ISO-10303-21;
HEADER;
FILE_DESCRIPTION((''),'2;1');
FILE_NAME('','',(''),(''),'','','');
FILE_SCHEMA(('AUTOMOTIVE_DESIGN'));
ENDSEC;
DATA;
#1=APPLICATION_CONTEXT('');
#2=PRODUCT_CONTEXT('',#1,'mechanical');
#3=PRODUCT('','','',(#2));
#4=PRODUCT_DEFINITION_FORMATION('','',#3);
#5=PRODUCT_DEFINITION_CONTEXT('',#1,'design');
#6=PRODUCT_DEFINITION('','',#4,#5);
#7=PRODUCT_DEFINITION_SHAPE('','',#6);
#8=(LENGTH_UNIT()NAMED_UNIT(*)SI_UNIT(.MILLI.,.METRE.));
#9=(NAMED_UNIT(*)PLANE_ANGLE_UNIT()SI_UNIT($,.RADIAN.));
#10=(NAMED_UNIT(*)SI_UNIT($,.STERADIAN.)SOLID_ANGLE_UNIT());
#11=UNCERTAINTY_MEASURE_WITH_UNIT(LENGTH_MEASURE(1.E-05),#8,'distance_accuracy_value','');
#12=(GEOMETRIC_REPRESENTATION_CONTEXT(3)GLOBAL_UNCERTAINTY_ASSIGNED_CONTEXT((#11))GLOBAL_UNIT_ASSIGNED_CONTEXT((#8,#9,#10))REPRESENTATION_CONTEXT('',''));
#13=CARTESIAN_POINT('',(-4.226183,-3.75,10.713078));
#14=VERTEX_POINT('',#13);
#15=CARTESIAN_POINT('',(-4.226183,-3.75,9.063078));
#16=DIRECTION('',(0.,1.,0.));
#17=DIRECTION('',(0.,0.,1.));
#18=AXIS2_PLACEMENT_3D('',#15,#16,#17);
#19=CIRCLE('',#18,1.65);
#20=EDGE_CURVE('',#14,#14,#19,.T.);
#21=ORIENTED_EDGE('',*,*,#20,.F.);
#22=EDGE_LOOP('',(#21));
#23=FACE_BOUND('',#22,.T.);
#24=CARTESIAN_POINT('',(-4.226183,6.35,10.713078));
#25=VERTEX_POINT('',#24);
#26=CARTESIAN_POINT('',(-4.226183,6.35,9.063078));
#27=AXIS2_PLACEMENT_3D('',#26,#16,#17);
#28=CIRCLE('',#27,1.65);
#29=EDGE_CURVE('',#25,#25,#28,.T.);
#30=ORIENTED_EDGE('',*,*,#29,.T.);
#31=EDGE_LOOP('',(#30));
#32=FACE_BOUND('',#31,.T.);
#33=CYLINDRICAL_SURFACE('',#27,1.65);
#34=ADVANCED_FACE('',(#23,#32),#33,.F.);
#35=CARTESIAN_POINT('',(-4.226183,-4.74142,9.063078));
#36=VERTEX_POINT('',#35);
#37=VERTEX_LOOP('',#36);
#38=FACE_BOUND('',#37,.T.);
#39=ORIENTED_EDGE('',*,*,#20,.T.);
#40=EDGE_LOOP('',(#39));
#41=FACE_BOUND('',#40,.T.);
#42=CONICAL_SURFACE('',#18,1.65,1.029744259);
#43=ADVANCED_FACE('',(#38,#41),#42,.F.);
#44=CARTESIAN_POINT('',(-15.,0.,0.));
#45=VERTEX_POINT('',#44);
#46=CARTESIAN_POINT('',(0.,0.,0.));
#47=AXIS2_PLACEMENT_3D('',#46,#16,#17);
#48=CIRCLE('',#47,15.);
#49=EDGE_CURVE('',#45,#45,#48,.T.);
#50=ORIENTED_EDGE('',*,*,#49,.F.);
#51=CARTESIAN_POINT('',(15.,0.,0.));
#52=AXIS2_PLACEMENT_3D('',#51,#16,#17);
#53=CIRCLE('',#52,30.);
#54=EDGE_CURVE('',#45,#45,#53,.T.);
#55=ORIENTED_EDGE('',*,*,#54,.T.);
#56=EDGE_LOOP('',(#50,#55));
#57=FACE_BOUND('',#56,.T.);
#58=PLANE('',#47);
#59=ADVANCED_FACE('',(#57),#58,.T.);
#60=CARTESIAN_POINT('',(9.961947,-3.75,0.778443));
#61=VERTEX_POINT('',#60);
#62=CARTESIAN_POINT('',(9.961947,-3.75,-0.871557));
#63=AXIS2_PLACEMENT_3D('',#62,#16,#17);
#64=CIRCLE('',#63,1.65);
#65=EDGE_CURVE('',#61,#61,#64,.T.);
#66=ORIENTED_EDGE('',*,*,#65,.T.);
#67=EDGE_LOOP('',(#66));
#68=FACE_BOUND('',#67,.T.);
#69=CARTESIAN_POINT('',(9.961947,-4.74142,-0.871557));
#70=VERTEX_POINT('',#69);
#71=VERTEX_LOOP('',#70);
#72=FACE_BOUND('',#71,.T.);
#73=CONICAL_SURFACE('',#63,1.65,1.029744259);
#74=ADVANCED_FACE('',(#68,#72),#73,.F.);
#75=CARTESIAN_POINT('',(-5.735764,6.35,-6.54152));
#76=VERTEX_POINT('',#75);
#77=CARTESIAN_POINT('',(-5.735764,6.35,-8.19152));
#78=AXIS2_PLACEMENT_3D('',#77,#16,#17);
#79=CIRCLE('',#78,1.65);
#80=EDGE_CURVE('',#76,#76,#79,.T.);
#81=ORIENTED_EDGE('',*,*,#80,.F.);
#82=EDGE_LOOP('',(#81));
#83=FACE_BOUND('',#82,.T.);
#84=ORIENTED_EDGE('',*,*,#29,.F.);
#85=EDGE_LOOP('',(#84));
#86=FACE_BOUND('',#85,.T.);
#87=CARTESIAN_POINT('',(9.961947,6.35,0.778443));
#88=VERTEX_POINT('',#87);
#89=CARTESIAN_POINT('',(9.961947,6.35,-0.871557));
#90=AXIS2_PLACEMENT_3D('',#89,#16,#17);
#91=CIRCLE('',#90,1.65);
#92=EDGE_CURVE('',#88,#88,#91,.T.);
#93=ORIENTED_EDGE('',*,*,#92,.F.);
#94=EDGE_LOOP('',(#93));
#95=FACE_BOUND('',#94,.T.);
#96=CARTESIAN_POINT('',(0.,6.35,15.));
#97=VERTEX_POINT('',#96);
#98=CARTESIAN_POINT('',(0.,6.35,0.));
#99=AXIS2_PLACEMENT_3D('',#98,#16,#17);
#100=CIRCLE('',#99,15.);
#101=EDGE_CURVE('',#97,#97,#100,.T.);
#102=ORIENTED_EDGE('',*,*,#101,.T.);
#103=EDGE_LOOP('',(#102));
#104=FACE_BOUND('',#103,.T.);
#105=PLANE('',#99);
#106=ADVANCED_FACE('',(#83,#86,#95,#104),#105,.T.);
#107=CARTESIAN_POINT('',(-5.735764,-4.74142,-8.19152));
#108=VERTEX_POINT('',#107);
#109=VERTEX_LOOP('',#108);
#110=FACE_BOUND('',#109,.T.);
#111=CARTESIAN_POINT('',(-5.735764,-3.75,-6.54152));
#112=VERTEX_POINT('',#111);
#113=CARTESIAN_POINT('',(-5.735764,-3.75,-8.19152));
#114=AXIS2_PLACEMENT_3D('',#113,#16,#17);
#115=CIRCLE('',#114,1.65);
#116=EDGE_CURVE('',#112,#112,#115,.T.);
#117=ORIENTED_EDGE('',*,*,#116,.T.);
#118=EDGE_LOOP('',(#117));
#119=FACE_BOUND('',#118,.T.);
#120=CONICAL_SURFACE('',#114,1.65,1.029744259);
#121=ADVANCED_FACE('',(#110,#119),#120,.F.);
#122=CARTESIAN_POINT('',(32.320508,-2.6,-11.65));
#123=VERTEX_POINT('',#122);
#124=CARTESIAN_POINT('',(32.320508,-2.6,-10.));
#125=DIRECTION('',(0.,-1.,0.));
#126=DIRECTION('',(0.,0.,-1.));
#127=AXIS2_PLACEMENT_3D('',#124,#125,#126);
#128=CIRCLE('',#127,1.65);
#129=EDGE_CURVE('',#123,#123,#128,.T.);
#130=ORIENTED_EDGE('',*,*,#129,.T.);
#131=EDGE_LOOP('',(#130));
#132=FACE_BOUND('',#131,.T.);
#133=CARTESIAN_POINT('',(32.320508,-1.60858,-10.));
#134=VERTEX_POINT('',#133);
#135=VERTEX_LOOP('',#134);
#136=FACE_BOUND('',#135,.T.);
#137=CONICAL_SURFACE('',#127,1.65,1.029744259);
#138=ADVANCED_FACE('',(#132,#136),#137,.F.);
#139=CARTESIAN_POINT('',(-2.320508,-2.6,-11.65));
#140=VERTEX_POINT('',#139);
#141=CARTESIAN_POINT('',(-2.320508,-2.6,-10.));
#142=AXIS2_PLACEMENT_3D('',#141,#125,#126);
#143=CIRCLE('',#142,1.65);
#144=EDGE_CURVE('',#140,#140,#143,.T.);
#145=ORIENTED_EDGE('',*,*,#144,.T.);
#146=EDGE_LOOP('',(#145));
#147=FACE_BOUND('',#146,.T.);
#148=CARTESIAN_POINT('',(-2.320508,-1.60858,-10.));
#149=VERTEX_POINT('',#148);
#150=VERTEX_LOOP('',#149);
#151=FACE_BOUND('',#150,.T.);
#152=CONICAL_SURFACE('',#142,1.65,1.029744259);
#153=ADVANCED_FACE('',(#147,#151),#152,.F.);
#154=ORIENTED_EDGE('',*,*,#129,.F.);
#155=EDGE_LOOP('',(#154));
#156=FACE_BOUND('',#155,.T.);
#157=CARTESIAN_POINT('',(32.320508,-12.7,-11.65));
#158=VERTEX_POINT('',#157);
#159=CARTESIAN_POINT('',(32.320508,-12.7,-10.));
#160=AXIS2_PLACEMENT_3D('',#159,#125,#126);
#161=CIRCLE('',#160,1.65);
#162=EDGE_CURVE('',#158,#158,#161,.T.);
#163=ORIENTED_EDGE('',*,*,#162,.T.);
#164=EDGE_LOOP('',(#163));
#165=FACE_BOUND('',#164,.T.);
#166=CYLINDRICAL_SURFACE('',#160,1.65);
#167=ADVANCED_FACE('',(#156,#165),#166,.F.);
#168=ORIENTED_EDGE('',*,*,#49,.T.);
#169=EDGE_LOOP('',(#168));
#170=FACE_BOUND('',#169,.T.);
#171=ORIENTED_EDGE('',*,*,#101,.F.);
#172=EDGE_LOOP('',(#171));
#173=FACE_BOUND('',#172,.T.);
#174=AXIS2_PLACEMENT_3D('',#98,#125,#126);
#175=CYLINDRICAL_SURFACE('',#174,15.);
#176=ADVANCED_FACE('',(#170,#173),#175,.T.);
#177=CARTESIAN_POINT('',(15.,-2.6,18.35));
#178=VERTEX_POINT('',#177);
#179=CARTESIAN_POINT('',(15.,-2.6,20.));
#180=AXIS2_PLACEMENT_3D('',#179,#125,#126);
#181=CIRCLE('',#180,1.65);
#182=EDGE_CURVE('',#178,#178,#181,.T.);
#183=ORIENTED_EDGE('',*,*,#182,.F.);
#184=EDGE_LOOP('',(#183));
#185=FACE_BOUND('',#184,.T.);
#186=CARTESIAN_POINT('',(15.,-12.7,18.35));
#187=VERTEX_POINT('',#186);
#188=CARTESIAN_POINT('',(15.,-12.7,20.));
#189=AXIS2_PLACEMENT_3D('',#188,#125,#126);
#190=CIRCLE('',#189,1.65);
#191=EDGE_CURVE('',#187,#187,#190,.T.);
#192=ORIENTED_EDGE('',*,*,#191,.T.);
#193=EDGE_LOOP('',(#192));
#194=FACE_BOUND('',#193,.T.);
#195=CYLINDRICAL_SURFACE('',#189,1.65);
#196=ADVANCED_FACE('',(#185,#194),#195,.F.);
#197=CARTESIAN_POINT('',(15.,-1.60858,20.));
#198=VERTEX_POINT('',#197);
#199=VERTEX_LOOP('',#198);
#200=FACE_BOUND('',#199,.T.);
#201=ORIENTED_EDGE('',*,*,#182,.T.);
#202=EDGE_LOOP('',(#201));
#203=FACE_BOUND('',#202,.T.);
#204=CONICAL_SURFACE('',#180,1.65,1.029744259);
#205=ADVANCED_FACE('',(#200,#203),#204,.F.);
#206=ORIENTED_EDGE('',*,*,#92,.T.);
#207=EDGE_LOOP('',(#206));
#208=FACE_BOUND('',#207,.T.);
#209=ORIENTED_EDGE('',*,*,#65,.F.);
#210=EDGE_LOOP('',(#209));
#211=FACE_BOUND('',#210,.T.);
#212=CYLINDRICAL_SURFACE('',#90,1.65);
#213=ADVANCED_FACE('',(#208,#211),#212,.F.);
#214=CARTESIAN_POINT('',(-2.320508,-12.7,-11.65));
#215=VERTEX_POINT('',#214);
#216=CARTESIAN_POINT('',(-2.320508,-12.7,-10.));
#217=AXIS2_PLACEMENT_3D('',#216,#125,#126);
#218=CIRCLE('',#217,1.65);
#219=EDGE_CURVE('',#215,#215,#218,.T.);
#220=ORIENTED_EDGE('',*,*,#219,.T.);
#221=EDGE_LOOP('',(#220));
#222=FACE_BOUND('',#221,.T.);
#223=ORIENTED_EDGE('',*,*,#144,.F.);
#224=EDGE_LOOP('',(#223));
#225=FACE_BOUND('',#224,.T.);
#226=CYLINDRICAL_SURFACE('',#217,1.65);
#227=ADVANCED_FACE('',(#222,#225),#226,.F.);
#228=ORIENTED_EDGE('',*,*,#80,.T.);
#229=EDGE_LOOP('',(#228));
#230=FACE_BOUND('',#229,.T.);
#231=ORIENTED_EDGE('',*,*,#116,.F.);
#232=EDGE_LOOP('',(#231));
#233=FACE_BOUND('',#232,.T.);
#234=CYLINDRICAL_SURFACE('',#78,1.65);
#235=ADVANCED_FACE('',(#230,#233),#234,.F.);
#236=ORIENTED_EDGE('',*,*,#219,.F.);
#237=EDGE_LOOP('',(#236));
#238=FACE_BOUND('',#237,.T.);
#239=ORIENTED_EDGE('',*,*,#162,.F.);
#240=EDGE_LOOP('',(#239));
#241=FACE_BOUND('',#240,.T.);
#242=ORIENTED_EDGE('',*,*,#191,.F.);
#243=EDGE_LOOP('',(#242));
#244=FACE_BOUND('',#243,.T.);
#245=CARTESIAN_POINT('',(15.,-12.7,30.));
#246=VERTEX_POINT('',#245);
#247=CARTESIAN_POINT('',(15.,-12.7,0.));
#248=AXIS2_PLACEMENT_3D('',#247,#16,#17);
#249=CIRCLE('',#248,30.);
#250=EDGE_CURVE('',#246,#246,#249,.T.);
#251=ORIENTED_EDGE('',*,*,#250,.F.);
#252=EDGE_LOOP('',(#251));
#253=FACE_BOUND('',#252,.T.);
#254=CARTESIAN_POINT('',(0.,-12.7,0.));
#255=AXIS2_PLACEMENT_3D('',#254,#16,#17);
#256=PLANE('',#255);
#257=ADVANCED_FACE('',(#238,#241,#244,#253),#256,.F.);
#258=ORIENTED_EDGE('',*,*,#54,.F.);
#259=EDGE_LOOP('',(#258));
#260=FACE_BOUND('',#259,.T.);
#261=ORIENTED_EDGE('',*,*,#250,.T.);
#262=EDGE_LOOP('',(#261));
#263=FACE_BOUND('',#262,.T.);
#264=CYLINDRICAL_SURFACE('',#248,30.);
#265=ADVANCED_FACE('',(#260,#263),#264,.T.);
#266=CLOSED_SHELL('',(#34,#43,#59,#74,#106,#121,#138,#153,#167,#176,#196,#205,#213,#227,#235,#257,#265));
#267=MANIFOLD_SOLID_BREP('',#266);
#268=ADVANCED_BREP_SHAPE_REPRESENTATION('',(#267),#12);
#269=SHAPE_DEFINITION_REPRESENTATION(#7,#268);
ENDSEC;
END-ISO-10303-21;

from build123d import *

# Parameters (mm, degrees)
BOSS_EXTRUDE1_DEPTH       = 6.35
SKETCH2_3_R               = 30
BOSS_EXTRUDE2_DEPTH       = 12.7
M4X0_7_TAPPED_HOLE1_D     = 3.3
M4X0_7_TAPPED_HOLE1_DEPTH = 10.1
M4X0_7_TAPPED_HOLE1_TIP   = 0.991420021
M4X0_7_TAPPED_HOLE3_D     = 3.3
M4X0_7_TAPPED_HOLE3_DEPTH = 10.1
M4X0_7_TAPPED_HOLE3_TIP   = 0.991420021


with BuildPart() as part:
    # Sketch2 → Boss-Extrude1 (new body)
    with BuildSketch(Plane(origin=(0, 0, 0), x_dir=(1, 0, 0), z_dir=(0, 1, 0))):
        with BuildLine():
            ThreePointArc((-15, 0), (0, -15), (15, 0))
            ThreePointArc((15, 0), (0, 15), (-15, 0))
        make_face()
    extrude(amount=BOSS_EXTRUDE1_DEPTH)

    # Sketch2<3> → Boss-Extrude2 (add)
    with BuildSketch(Plane(origin=(0, 0, 0), x_dir=(1, 0, 0), z_dir=(0, 1, 0))):
        with Locations((15, 0)):
            Circle(SKETCH2_3_R)
    extrude(amount=-BOSS_EXTRUDE2_DEPTH)

    # M4x0.7 Tapped Hole1
    with Locations(Plane(origin=(0, 6.35, 0), x_dir=(1, 0, 0), z_dir=(0, 1, 0))):
        with Locations((-4.226182617, -9.06307787), (9.961946981, 0.871557427), (-5.735764364, 8.191520443)):
            Hole(M4X0_7_TAPPED_HOLE1_D / 2, depth=M4X0_7_TAPPED_HOLE1_DEPTH)
            with Locations((0, 0, -(M4X0_7_TAPPED_HOLE1_DEPTH + M4X0_7_TAPPED_HOLE1_TIP / 2))):  # 118° drill point
                Cone(0, M4X0_7_TAPPED_HOLE1_D / 2, M4X0_7_TAPPED_HOLE1_TIP, mode=Mode.SUBTRACT)

    # M4x0.7 Tapped Hole3
    with Locations(Plane(origin=(0, -12.7, 0), x_dir=(-1, 0, 0), z_dir=(0, -1, 0))):
        with Locations((-15, -20), (2.320508076, 10), (-32.320508076, 10)):
            Hole(M4X0_7_TAPPED_HOLE3_D / 2, depth=M4X0_7_TAPPED_HOLE3_DEPTH)
            with Locations((0, 0, -(M4X0_7_TAPPED_HOLE3_DEPTH + M4X0_7_TAPPED_HOLE3_TIP / 2))):  # 118° drill point
                Cone(0, M4X0_7_TAPPED_HOLE3_D / 2, M4X0_7_TAPPED_HOLE3_TIP, mode=Mode.SUBTRACT)


solid = part.part
